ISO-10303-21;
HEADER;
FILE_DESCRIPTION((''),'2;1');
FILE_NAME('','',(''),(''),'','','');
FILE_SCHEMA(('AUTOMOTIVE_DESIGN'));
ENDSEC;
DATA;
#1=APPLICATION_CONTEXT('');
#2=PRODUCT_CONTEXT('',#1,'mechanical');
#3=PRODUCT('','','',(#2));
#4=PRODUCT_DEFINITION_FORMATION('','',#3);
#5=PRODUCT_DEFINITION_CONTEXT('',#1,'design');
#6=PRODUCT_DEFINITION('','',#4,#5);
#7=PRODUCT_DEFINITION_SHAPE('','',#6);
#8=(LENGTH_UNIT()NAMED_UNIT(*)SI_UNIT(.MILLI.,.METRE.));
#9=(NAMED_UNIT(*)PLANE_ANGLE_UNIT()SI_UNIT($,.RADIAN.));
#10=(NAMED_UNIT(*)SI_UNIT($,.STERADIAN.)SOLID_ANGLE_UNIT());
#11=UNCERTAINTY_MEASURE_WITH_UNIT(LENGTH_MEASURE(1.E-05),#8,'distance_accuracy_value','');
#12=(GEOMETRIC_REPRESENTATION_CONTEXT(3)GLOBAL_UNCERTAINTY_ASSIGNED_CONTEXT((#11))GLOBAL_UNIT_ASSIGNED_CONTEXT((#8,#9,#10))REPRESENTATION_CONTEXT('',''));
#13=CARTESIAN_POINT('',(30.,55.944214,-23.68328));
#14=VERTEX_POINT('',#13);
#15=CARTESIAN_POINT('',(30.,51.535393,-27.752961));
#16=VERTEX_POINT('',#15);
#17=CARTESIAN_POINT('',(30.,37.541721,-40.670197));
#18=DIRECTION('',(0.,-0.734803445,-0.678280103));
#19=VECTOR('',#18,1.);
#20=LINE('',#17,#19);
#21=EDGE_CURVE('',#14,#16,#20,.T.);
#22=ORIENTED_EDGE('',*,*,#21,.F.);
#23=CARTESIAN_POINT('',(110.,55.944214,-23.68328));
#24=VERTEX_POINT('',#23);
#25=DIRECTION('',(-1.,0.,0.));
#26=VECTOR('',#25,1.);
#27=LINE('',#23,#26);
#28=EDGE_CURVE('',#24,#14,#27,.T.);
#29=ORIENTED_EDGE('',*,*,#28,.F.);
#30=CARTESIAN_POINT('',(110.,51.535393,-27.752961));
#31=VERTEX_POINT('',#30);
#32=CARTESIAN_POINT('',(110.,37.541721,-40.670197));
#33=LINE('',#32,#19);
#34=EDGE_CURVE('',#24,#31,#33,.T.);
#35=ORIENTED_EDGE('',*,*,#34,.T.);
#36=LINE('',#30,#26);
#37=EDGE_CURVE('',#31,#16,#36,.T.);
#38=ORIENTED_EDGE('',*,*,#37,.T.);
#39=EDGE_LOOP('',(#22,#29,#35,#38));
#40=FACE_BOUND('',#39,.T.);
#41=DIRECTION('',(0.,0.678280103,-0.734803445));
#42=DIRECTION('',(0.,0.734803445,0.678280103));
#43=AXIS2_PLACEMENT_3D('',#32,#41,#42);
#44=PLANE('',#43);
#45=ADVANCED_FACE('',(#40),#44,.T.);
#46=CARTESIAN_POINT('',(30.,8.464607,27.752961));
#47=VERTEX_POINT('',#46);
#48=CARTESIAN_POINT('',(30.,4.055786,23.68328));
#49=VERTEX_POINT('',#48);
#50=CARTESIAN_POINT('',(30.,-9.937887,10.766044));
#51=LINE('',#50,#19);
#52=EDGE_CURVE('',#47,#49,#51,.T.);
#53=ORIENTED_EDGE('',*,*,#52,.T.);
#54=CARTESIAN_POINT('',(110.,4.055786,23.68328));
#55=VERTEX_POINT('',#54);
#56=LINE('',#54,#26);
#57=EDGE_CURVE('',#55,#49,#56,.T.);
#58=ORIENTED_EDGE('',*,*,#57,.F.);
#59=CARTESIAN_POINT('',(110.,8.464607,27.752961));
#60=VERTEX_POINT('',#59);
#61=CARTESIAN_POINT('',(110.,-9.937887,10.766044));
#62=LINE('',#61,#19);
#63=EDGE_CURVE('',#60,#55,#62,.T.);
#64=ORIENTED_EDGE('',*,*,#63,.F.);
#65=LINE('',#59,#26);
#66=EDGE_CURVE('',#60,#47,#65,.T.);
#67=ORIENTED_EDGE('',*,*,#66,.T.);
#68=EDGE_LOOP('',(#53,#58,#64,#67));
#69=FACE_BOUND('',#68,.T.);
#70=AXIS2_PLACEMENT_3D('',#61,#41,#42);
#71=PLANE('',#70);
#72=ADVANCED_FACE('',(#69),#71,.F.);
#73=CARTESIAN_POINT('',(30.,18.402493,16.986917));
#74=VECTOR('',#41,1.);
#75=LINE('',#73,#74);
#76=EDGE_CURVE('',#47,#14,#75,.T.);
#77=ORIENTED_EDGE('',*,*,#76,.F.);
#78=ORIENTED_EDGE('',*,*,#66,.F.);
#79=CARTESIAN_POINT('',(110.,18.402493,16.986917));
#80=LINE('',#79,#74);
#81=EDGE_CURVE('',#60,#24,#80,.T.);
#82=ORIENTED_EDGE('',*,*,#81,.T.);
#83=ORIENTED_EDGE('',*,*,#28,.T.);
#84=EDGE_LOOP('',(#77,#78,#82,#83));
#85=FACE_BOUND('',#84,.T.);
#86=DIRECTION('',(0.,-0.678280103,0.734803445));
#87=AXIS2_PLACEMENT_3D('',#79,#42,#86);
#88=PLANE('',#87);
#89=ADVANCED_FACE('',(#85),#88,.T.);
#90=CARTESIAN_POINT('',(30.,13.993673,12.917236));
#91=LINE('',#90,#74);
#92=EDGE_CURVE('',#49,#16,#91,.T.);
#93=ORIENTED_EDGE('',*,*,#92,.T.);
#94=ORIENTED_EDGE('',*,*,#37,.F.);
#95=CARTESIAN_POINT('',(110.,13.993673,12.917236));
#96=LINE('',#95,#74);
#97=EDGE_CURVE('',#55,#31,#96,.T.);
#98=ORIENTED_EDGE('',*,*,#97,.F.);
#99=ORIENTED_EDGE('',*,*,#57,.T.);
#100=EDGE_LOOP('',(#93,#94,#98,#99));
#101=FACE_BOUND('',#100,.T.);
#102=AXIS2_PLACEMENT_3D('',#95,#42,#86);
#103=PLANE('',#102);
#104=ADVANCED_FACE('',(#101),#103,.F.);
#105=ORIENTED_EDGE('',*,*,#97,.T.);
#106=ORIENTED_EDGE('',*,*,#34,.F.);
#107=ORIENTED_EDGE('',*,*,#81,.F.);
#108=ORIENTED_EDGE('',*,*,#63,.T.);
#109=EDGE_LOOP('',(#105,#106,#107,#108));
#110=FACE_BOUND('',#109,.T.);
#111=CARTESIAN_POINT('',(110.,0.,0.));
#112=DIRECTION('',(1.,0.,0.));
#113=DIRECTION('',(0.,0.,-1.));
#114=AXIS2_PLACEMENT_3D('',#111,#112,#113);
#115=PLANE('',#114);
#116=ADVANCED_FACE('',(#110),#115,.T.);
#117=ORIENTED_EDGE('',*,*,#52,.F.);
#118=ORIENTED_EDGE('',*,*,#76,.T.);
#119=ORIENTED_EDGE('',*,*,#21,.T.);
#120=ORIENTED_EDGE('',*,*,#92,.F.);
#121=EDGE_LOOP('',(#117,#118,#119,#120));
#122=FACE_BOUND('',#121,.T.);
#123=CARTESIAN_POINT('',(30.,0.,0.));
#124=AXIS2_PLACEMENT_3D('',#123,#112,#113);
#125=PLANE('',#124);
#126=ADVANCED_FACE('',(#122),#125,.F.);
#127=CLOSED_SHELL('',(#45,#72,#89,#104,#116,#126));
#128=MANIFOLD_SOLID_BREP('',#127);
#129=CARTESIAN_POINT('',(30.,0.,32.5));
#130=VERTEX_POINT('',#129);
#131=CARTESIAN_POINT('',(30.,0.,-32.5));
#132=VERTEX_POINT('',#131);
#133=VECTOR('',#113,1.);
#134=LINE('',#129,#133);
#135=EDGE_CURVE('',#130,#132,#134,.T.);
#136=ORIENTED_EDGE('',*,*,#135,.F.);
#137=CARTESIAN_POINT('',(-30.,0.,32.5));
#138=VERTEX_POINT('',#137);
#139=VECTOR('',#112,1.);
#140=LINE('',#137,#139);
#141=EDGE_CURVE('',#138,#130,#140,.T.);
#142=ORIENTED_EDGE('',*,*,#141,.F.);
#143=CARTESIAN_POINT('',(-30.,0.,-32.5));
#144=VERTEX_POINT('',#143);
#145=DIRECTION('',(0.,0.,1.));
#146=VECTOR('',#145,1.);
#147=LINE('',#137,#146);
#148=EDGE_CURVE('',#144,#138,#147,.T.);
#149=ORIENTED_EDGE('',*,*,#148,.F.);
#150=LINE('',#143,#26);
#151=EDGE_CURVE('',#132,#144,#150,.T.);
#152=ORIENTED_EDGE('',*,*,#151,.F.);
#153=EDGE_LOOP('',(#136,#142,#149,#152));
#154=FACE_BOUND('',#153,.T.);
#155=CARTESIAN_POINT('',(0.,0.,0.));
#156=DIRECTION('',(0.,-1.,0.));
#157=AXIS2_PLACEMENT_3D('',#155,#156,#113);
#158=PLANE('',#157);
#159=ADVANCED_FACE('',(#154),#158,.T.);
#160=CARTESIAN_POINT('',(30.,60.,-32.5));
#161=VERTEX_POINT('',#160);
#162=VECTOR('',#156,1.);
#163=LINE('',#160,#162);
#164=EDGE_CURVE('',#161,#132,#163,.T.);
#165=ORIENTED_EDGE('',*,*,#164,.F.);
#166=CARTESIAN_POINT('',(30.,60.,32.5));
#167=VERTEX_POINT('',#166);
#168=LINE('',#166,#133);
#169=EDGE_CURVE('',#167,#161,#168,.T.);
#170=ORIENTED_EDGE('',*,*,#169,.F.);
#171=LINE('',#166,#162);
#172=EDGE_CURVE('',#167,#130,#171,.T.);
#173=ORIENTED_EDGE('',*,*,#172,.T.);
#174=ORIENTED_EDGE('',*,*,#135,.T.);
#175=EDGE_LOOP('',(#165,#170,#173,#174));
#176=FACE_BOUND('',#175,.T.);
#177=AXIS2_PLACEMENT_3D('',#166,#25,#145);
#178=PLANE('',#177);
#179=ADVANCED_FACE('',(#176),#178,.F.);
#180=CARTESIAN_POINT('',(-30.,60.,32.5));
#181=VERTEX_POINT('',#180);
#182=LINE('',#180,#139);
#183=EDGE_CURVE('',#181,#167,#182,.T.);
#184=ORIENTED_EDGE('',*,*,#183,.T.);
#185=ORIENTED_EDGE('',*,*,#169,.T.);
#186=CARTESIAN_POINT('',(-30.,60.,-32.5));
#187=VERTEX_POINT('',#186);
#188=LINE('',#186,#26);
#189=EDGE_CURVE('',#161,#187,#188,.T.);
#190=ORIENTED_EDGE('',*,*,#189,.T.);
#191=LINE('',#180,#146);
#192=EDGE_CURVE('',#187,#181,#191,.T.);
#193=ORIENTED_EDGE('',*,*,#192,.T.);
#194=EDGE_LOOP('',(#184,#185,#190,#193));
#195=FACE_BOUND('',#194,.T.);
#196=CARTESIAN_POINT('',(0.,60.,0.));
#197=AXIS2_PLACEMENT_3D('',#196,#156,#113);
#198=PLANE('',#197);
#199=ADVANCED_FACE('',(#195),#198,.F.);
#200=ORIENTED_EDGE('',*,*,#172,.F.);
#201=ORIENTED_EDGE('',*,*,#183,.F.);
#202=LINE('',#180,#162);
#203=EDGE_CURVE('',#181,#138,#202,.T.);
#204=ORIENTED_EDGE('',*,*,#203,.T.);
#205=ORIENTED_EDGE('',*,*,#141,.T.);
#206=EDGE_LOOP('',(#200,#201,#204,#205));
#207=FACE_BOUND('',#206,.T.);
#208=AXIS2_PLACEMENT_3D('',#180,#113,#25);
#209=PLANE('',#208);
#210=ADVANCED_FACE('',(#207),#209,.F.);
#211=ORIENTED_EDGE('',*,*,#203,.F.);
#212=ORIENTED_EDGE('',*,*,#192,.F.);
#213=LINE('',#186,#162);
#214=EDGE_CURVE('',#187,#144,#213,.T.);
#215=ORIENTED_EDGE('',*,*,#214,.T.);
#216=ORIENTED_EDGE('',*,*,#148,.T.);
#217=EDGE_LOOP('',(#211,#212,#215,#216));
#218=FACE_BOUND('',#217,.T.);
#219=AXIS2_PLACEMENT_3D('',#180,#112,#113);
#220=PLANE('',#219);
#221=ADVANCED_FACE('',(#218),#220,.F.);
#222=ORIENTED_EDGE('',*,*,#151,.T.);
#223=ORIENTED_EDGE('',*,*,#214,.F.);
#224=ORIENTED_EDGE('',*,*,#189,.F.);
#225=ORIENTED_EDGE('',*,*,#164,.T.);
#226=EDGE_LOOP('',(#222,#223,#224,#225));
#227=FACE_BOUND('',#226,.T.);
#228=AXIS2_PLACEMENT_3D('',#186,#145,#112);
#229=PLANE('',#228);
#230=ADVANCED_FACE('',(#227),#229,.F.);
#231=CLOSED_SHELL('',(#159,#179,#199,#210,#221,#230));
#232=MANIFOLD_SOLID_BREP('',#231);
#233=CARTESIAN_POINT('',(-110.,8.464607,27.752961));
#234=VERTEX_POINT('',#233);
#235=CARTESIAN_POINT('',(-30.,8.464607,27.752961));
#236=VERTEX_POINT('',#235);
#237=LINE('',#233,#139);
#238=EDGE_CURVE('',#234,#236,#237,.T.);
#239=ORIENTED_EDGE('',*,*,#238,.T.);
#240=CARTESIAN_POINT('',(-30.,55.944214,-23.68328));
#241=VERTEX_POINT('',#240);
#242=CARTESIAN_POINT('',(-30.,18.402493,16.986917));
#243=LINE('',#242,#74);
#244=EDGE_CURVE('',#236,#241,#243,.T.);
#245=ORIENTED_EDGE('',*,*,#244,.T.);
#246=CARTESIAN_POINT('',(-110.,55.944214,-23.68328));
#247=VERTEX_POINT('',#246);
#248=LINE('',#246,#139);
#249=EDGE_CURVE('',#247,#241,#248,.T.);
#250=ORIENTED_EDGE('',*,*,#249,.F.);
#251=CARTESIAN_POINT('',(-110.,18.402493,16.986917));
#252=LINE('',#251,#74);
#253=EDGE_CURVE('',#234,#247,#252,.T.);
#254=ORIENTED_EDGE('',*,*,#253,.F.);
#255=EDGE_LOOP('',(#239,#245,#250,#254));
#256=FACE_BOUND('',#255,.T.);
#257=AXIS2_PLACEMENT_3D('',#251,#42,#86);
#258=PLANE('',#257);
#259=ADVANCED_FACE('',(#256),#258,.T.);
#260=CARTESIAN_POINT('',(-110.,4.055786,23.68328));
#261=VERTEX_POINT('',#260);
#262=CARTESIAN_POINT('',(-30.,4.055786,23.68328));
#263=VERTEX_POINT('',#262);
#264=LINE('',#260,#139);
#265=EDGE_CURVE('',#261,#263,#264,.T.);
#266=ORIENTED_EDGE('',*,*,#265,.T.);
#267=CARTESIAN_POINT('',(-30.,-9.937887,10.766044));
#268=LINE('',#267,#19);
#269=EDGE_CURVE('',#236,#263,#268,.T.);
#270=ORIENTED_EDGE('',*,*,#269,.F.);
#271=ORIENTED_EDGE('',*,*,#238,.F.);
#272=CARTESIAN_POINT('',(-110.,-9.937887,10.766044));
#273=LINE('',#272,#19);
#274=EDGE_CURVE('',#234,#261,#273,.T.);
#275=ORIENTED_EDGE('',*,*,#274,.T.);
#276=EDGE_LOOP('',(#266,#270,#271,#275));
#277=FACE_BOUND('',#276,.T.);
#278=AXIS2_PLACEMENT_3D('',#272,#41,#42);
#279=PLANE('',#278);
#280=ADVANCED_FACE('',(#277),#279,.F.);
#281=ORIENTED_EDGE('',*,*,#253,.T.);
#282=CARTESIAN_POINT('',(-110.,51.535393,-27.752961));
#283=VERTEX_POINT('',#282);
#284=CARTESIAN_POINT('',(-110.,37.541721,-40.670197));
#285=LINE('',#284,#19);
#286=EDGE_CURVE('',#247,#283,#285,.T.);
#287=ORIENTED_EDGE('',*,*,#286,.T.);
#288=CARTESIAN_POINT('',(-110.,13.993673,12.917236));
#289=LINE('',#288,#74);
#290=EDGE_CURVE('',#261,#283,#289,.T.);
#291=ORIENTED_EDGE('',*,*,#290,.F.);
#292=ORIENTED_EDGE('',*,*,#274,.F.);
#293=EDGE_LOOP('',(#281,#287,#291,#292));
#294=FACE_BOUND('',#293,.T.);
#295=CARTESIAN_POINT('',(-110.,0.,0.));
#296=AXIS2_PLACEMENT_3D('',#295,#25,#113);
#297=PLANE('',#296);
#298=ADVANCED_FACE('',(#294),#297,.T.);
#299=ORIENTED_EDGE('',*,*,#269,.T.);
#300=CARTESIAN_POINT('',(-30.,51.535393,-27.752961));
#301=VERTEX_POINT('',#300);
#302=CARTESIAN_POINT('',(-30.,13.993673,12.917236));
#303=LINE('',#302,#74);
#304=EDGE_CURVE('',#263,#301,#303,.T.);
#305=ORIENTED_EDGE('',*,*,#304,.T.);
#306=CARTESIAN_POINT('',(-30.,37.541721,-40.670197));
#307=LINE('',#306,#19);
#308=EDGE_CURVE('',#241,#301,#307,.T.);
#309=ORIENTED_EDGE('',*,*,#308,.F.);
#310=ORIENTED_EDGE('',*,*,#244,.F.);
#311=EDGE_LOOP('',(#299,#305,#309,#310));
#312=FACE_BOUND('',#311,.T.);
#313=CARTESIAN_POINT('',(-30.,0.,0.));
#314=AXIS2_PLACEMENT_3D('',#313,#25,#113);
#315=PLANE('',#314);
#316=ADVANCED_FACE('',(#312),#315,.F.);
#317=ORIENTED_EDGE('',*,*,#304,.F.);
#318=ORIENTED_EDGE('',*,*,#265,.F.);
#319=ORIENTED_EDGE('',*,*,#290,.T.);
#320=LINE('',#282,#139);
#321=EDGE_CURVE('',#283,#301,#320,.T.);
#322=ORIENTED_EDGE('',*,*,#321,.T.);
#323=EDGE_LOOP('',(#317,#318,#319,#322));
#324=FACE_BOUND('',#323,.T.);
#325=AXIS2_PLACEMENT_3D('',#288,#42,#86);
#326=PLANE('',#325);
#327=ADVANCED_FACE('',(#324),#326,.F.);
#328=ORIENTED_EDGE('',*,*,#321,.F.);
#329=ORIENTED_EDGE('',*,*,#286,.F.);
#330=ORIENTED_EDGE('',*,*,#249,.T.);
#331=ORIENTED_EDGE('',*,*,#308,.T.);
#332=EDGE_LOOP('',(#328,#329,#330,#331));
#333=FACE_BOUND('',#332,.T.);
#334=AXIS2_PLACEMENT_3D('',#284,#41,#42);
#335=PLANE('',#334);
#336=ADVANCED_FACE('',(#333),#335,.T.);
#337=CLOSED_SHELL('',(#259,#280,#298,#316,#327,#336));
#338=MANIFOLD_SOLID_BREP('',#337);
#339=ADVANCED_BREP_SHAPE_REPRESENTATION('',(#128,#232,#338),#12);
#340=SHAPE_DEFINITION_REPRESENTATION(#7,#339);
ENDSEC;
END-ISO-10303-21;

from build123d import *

# Parameters (mm, degrees)
SKETCH1_W           = 60
SKETCH1_H           = 65
BOSS_EXTRUDE1_DEPTH = 60
BOSS_EXTRUDE2_DEPTH = 80


with BuildPart() as part:
    # Sketch1 → Boss-Extrude1 (new body)
    with BuildSketch(Plane(origin=(0, 0, 0), x_dir=(1, 0, 0), z_dir=(0, 1, 0))):
        Rectangle(SKETCH1_W, SKETCH1_H)
    extrude(amount=BOSS_EXTRUDE1_DEPTH)


with BuildPart() as body_2:
    # Sketch2 → Boss-Extrude2 (new body)
    with BuildSketch(Plane(origin=(30, 0, 0), x_dir=(0, 0, -1), z_dir=(1, 0, 0))):
        Polygon((-27.75296087, 8.464606738), (-23.683280254, 4.05578607), (27.75296087, 51.535393262), (23.683280254, 55.94421393), align=None)
    extrude(amount=BOSS_EXTRUDE2_DEPTH)


with BuildPart() as body_3:
    # Mirror1: mirrored copy
    add(body_2.part.mirror(Plane(origin=(0, 0, 0), x_dir=(0, 0, 1), z_dir=(1, 0, 0))))


solid = Compound([part.part, body_2.part, body_3.part])
